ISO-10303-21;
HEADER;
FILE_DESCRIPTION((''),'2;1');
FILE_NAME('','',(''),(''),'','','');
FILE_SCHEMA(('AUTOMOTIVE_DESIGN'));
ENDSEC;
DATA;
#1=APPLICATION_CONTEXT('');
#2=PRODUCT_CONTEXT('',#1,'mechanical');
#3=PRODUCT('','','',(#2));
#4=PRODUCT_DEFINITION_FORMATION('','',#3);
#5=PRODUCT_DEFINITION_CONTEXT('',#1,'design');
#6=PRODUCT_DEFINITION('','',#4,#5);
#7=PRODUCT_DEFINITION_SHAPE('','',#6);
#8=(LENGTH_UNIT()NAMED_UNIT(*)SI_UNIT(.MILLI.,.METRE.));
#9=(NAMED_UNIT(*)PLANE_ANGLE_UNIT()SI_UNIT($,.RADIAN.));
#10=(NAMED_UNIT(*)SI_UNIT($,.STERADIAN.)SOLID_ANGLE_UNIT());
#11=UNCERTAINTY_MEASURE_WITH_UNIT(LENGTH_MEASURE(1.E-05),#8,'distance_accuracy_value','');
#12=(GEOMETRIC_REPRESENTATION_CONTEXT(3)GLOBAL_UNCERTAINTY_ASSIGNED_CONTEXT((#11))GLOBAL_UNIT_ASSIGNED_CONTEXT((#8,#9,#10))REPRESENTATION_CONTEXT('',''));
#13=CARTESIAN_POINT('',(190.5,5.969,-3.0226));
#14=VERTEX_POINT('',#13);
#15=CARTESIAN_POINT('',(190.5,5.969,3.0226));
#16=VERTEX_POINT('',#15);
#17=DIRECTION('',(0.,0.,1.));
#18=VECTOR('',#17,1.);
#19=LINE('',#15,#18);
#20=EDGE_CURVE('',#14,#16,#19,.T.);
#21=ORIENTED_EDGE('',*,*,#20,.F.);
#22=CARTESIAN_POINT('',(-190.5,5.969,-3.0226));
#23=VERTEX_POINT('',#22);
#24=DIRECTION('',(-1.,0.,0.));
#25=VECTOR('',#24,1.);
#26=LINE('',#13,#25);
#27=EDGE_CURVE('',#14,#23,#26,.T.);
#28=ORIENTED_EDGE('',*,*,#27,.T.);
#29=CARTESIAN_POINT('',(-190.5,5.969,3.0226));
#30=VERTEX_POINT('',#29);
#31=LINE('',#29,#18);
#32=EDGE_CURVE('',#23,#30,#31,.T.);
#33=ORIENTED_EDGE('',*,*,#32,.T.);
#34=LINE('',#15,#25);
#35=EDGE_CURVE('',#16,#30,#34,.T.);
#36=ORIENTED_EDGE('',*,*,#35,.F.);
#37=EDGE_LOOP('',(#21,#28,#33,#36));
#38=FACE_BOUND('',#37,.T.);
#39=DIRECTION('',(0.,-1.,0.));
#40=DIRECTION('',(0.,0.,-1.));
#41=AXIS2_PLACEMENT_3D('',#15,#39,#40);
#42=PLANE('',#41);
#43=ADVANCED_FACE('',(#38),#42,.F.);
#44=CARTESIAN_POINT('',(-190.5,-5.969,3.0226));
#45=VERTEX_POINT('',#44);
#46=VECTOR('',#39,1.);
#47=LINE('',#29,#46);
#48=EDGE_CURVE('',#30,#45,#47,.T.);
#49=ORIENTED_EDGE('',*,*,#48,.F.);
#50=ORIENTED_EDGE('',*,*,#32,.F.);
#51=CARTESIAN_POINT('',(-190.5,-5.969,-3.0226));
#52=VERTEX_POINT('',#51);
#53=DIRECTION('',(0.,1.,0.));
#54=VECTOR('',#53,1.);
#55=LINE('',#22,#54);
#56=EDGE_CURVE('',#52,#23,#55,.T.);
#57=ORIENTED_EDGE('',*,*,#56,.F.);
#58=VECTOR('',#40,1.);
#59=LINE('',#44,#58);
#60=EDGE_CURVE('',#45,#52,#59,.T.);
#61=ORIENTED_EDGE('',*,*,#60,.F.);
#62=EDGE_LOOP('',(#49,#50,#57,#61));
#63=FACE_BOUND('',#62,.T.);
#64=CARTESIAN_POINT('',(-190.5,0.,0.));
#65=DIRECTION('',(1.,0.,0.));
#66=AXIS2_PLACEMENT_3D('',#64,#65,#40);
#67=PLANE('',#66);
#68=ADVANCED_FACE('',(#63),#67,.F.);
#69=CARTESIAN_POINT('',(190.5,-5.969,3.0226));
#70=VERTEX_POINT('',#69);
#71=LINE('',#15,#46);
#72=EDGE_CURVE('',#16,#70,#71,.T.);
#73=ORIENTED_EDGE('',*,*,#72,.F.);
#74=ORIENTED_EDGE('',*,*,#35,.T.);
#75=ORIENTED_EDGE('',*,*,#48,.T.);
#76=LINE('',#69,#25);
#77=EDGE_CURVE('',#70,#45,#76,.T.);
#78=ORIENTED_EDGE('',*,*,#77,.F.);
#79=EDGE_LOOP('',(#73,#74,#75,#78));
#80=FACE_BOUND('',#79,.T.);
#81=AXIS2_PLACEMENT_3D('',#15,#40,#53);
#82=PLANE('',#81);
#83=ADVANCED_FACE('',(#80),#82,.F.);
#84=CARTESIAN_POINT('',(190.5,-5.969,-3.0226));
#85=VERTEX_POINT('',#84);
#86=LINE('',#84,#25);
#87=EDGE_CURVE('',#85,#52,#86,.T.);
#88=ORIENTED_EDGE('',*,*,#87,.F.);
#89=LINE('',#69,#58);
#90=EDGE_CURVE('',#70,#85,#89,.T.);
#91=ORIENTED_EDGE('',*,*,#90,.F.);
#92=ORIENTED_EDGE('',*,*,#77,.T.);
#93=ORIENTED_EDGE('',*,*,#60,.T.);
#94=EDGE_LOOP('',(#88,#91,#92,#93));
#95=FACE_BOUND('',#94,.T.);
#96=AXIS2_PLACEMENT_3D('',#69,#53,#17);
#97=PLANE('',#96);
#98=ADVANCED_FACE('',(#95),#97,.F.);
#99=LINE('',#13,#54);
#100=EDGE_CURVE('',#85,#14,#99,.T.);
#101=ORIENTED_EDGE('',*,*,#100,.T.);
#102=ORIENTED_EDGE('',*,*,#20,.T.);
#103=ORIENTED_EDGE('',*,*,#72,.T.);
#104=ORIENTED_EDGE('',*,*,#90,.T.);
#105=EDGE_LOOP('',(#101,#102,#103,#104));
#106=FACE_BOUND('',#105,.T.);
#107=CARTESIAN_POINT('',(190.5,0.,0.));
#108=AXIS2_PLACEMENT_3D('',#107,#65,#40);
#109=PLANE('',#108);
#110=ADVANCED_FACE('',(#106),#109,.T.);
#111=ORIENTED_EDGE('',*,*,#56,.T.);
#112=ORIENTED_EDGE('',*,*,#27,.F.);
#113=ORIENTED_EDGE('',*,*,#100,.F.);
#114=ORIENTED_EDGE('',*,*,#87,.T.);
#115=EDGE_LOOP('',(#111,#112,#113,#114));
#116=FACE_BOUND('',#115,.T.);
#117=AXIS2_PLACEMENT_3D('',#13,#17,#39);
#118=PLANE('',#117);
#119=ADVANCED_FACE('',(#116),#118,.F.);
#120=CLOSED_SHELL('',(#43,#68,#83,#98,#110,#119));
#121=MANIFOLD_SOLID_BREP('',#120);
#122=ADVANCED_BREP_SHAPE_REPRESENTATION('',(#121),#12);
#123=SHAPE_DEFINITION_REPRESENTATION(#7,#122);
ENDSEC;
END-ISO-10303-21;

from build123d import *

# Parameters (mm, degrees)
SKETCH1_W           = 6.0452
SKETCH1_H           = 11.938
BOSS_EXTRUDE1_DEPTH = 190.5


with BuildPart() as part:
    # Sketch1 → Boss-Extrude1 (new body, symmetric)
    with BuildSketch(Plane(origin=(0, 0, 0), x_dir=(0, 0, -1), z_dir=(1, 0, 0))):
        Rectangle(SKETCH1_W, SKETCH1_H)
    extrude(amount=BOSS_EXTRUDE1_DEPTH, both=True)


solid = part.part
